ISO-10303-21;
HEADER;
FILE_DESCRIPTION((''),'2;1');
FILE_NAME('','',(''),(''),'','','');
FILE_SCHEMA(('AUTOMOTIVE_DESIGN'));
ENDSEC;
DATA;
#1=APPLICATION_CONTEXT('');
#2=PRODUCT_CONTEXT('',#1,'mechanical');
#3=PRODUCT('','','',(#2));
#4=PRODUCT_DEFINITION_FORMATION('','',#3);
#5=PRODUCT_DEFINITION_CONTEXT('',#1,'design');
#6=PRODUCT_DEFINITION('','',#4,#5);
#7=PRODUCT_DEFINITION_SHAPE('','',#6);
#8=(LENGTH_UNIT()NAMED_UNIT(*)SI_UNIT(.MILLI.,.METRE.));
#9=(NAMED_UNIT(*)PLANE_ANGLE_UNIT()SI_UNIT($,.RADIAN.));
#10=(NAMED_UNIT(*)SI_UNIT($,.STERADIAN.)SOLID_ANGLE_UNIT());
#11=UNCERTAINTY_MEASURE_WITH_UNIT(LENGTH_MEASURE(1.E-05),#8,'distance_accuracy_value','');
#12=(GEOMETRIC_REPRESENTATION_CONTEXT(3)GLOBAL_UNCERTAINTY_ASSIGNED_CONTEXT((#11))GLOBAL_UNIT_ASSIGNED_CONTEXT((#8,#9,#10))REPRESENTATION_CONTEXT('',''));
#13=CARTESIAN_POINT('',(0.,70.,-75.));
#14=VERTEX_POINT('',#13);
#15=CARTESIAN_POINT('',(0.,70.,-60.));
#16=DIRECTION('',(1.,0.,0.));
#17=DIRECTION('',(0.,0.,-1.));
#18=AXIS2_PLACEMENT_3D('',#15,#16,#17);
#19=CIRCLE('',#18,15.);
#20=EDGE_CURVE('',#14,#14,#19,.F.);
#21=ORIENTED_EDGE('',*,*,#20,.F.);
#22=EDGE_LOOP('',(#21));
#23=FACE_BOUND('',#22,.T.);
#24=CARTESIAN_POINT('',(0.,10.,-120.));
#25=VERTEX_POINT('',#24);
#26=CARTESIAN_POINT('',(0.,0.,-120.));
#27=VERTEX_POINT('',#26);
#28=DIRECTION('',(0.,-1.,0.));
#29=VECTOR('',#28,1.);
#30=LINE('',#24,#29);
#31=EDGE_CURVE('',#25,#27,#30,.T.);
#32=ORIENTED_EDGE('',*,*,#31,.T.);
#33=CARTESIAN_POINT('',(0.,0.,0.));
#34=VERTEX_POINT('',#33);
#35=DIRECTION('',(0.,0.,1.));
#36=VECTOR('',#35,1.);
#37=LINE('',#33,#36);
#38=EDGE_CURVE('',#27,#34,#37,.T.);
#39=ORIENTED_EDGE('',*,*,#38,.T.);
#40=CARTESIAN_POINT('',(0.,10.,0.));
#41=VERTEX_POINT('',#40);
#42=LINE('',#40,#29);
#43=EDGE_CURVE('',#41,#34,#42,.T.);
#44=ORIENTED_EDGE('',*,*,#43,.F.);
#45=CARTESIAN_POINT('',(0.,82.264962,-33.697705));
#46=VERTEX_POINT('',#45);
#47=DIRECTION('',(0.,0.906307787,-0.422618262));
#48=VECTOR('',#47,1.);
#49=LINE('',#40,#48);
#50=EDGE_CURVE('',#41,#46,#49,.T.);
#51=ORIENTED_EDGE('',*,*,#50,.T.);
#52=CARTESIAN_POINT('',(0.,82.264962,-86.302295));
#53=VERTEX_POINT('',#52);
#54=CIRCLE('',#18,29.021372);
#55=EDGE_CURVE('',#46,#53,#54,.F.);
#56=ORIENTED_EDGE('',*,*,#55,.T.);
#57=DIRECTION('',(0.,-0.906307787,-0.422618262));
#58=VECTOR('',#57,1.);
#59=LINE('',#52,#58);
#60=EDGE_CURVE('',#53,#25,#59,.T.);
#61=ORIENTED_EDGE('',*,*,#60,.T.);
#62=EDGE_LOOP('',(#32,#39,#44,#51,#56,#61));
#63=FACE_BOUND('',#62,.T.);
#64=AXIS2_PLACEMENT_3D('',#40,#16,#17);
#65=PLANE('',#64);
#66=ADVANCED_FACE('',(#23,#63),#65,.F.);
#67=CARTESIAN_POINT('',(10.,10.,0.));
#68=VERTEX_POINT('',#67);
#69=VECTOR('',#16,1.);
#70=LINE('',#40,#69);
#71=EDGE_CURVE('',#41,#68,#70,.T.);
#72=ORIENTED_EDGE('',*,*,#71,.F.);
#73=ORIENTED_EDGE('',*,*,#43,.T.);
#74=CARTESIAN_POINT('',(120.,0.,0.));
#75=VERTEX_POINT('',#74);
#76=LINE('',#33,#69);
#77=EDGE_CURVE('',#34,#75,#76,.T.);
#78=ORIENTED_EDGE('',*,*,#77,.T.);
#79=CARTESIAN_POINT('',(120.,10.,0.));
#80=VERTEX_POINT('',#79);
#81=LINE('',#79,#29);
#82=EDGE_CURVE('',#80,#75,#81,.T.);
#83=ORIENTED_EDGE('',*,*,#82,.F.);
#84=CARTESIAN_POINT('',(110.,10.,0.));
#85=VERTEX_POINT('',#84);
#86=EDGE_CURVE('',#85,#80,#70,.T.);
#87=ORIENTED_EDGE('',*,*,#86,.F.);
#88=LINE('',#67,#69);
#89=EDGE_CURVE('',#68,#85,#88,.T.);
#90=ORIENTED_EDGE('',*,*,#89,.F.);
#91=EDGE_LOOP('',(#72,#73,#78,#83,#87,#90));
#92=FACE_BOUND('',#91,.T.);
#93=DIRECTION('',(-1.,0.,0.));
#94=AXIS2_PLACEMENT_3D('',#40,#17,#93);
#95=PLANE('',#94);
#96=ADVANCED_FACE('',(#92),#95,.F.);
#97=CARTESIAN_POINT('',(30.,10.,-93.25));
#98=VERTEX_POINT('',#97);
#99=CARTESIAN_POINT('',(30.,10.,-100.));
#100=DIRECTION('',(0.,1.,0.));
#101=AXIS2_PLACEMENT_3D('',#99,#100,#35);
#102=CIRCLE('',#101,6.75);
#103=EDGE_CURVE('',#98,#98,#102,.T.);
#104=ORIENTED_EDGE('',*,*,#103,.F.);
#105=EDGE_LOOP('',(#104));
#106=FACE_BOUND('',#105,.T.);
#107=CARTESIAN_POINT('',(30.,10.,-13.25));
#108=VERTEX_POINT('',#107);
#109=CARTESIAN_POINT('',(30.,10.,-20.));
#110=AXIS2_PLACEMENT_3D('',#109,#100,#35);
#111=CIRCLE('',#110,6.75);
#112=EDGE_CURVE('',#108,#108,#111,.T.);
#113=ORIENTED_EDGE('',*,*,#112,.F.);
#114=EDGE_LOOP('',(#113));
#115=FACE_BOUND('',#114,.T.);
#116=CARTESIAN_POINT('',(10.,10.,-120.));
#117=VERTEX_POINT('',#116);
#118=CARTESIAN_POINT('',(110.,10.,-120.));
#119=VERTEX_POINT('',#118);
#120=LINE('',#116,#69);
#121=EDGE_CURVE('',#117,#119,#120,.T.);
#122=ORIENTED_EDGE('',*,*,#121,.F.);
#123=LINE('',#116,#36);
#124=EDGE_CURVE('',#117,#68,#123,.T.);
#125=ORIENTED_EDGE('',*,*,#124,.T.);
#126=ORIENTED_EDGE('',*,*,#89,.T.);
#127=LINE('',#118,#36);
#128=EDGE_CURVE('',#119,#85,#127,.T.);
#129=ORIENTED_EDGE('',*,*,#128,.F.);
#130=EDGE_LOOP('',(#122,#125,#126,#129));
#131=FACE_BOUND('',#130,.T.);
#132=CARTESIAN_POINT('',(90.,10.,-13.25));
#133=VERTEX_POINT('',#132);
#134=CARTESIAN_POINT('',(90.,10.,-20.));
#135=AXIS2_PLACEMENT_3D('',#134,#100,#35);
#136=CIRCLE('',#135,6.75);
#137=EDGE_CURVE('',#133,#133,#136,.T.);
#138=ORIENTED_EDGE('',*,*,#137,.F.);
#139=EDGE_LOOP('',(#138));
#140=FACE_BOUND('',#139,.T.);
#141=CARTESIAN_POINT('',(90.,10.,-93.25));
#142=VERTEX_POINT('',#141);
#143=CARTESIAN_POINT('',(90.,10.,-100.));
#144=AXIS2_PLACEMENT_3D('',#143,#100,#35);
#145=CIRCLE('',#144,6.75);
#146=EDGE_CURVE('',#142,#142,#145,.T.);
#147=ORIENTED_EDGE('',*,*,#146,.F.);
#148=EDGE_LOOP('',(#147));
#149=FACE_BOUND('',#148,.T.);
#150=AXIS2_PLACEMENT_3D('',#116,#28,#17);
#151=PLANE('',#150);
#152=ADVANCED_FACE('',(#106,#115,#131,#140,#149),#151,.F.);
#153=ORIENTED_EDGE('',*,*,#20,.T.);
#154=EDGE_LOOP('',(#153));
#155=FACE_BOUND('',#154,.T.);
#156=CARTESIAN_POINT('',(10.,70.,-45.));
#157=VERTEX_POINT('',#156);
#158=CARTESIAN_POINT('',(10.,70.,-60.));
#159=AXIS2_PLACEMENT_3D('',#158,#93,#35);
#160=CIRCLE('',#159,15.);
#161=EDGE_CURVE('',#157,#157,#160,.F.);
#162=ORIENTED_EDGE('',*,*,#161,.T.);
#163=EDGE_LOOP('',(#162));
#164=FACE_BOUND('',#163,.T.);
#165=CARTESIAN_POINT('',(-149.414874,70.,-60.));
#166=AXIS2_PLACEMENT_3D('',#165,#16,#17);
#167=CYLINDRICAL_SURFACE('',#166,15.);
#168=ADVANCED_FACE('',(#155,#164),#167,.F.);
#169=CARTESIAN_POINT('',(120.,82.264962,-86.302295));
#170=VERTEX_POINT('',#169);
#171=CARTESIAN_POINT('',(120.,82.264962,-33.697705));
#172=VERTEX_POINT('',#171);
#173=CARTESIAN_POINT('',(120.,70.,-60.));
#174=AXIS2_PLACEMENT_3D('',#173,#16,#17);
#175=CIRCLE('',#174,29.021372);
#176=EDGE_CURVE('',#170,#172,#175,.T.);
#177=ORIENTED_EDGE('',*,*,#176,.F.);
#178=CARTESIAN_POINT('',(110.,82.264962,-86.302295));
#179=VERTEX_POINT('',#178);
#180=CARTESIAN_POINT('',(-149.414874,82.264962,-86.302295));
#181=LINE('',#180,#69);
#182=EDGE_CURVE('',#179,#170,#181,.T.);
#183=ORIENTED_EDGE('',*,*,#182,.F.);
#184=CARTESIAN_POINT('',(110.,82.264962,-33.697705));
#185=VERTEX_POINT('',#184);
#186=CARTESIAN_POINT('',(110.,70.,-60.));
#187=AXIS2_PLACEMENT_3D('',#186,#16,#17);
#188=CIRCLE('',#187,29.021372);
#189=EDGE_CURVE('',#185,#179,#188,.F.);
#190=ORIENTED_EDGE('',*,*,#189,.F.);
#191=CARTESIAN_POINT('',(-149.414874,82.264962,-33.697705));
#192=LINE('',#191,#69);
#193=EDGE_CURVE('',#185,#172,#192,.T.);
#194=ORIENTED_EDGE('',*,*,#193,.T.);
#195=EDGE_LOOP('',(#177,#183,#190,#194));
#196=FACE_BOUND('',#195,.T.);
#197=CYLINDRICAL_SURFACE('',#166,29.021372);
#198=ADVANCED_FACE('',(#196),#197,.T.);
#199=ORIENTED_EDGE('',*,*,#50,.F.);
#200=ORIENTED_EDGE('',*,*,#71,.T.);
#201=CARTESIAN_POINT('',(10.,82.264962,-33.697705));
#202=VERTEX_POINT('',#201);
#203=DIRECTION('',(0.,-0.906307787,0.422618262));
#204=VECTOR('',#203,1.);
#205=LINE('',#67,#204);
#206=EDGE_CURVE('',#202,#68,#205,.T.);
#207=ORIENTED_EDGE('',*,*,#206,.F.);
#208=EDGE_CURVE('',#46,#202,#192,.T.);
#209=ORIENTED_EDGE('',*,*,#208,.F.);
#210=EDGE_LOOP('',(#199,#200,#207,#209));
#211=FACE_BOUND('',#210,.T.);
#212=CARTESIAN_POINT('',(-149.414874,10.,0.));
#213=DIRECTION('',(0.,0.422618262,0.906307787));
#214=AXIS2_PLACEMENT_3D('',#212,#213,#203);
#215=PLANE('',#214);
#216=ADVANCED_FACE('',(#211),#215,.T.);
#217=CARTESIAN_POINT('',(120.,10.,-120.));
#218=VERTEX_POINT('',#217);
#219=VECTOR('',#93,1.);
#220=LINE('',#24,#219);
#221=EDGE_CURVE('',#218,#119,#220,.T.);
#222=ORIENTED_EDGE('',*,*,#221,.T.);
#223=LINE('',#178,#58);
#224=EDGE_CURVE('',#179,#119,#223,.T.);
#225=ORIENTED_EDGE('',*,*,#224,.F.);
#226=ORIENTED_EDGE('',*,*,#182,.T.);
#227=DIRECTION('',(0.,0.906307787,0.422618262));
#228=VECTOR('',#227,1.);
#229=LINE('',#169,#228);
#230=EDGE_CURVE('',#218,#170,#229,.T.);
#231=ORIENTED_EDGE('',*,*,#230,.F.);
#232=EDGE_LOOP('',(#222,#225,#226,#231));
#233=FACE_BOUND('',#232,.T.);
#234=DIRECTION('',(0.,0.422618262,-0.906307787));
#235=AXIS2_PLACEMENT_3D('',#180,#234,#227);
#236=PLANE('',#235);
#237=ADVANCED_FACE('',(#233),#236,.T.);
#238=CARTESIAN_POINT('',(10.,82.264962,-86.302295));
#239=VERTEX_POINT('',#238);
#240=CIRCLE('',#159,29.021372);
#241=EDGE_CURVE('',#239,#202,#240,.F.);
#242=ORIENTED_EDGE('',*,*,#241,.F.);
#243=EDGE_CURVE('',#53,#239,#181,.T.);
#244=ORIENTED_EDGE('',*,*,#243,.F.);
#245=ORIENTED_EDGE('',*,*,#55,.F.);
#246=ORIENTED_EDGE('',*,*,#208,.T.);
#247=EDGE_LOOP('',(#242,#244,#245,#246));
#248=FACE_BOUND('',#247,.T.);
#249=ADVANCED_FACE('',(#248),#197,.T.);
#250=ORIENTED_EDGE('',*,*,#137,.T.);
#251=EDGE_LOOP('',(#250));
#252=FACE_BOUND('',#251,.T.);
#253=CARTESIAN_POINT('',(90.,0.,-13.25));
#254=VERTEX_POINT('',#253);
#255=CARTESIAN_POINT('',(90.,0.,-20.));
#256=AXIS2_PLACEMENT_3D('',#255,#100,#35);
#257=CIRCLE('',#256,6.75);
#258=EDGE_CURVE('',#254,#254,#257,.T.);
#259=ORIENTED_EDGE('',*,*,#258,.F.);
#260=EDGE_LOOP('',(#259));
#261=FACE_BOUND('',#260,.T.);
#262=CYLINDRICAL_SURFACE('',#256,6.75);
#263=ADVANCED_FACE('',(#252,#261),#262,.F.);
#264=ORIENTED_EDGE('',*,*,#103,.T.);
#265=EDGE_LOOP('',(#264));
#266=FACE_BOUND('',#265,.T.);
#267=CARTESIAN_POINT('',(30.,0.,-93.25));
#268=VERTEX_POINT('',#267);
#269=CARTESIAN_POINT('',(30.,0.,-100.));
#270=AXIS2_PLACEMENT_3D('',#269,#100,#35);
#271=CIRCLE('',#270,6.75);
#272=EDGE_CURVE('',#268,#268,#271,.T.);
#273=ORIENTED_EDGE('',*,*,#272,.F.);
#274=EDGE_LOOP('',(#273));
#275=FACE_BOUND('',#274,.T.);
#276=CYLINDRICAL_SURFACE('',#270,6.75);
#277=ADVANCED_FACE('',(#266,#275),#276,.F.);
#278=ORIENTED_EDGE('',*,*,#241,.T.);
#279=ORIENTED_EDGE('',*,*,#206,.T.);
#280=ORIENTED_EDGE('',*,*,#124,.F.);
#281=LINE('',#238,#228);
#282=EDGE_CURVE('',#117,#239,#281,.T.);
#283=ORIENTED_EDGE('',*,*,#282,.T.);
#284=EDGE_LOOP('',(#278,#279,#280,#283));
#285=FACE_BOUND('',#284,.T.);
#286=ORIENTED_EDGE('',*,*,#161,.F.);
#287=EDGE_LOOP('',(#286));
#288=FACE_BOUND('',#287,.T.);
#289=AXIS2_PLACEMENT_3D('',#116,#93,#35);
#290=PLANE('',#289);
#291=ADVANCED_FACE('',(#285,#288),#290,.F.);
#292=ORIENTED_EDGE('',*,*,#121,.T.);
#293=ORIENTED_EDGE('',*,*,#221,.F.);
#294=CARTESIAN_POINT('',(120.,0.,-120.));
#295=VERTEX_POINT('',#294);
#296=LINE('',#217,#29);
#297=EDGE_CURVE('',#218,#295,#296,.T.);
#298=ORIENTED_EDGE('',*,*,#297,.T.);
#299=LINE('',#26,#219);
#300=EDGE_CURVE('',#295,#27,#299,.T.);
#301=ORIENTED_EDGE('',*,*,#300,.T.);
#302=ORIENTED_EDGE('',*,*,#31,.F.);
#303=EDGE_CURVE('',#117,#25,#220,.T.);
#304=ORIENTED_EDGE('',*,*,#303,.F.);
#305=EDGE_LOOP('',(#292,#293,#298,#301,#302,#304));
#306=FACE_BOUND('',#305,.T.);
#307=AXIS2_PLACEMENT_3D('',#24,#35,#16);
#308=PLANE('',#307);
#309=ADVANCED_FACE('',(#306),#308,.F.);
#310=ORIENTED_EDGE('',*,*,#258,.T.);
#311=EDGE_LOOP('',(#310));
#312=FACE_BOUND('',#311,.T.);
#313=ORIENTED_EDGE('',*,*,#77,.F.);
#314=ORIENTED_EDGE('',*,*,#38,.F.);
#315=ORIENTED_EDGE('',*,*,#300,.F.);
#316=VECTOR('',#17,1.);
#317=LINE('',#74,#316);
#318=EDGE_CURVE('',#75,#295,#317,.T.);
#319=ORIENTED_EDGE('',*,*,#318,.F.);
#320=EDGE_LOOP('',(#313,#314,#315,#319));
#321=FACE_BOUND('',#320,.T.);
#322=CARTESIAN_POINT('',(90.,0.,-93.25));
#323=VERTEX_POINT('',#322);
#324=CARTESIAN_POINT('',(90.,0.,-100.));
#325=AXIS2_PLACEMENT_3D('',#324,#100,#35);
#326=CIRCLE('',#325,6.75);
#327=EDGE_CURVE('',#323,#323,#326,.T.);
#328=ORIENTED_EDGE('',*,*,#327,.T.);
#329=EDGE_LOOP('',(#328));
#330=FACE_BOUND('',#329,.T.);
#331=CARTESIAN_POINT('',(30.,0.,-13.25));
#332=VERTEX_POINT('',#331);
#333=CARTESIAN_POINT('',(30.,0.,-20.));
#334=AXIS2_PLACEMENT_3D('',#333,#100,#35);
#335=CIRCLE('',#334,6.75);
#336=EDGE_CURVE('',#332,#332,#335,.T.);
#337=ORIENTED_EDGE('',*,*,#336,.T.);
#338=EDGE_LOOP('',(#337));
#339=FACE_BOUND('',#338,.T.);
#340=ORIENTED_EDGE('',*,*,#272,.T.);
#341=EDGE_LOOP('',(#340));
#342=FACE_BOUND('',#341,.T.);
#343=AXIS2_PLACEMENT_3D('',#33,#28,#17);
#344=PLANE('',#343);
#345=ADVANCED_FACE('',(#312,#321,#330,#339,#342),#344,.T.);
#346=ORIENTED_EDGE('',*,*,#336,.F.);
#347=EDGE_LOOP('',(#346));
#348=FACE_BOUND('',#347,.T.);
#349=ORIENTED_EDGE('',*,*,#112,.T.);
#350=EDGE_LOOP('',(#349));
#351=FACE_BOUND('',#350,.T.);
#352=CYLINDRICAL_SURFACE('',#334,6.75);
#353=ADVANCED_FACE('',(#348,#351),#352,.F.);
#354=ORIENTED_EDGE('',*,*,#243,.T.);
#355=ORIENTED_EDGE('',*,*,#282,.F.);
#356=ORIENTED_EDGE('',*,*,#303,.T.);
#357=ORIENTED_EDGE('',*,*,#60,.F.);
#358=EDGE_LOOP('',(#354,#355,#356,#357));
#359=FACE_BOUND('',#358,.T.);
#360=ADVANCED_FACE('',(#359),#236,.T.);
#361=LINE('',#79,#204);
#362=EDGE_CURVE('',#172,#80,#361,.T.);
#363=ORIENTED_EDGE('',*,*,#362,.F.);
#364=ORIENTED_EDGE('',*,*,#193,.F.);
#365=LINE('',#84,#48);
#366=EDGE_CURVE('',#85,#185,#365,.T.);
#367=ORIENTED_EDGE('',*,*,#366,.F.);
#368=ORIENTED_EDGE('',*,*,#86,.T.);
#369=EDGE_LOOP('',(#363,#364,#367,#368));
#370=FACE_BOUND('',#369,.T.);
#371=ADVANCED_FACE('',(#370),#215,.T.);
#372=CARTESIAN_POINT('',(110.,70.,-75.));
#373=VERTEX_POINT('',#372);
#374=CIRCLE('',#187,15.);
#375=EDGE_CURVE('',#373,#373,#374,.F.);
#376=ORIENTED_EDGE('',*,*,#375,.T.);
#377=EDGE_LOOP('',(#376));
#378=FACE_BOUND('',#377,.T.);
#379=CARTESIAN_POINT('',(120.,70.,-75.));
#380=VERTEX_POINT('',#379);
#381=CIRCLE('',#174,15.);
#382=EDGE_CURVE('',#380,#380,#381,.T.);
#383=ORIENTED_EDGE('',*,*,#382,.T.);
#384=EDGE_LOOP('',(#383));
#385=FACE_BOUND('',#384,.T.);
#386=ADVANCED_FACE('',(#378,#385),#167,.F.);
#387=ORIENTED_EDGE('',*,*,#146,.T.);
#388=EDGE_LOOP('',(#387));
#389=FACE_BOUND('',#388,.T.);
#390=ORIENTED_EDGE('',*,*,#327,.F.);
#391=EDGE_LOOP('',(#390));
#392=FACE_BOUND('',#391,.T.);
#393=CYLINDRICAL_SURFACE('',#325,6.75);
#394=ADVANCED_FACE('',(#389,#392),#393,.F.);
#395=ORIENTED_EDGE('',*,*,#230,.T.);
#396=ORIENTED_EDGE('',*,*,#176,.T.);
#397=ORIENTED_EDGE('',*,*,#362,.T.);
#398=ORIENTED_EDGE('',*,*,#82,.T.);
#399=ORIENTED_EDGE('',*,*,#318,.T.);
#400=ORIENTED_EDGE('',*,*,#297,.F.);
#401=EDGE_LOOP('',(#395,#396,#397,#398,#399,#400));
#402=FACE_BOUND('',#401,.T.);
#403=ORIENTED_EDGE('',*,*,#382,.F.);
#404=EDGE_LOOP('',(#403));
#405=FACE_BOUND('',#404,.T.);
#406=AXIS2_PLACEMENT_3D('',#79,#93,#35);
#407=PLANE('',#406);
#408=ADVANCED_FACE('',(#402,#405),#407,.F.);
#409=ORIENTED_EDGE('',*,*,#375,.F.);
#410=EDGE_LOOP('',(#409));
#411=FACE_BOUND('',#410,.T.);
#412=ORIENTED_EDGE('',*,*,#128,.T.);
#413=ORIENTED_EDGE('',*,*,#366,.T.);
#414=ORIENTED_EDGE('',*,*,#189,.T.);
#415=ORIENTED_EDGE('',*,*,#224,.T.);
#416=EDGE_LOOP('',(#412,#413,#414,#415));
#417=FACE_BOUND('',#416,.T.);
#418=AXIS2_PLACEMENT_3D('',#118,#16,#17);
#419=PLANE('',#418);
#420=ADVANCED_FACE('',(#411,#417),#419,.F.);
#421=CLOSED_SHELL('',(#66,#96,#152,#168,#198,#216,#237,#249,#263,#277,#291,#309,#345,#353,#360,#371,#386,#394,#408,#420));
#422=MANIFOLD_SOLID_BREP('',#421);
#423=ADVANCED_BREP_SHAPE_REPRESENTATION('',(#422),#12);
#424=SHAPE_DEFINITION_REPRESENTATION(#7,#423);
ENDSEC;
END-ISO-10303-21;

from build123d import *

# Parameters (mm, degrees)
ESQUISSE1_W             = 120
ESQUISSE1_H             = 120
BOSS_EXTRU_2_DEPTH      = 10
ESQUISSE2_R             = 15
BOSS_EXTRU_3_DEPTH      = 120
ESQUISSE3_W             = 100
ESQUISSE3_H             = 122.401822982
ENL_V_MAT_EXTRU_1_DEPTH = 197.482141726
ESQUISSE4_R             = 6.75
ENL_V_MAT_EXTRU_2_DEPTH = 10


with BuildPart() as part:
    # Esquisse1 → Boss.-Extru.2 (new body)
    with BuildSketch(Plane(origin=(0, 0, 0), x_dir=(1, 0, 0), z_dir=(0, 1, 0))):
        with Locations((60, 60)):
            Rectangle(ESQUISSE1_W, ESQUISSE1_H)
    extrude(amount=BOSS_EXTRU_2_DEPTH)

    # Esquisse2 → Boss.-Extru.3 (add)
    with BuildSketch(Plane(origin=(120, 0, 0), x_dir=(0, 0, -1), z_dir=(1, 0, 0))):
        with BuildLine():
            Line((86.302294997, 82.264961584), (120, 10))
            Line((120, 10), (0, 10))
            Line((0, 10), (33.697705003, 82.264961584))
            ThreePointArc((33.697705003, 82.264961584), (60, 99.021371518), (86.302294997, 82.264961584))
        make_face()
        with Locations((60, 70)):
            Circle(ESQUISSE2_R, mode=Mode.SUBTRACT)
    extrude(amount=-BOSS_EXTRU_3_DEPTH)

    # Esquisse3 → Enlèv. mat.-Extru.1 (cut, through all)
    with BuildSketch(Plane.XY):
        with Locations((60, 71.200911491)):
            Rectangle(ESQUISSE3_W, ESQUISSE3_H)
    extrude(amount=-ENL_V_MAT_EXTRU_1_DEPTH, mode=Mode.SUBTRACT)

    # Esquisse4 → Enlèv. mat.-Extru.2 (cut)
    with BuildSketch(Plane(origin=(0, 10, 0), x_dir=(1, 0, 0), z_dir=(0, 1, 0))):
        with Locations(Location((30, 20, 0), (0, 0, 270))):
            Circle(ESQUISSE4_R)
        with Locations(Location((30, 100, 0), (0, 0, 270))):
            Circle(ESQUISSE4_R)
        with Locations(Location((90, 100, 0), (0, 0, 270))):
            Circle(ESQUISSE4_R)
        with Locations(Location((90, 20, 0), (0, 0, 270))):
            Circle(ESQUISSE4_R)
    extrude(amount=-ENL_V_MAT_EXTRU_2_DEPTH, mode=Mode.SUBTRACT)


solid = part.part
